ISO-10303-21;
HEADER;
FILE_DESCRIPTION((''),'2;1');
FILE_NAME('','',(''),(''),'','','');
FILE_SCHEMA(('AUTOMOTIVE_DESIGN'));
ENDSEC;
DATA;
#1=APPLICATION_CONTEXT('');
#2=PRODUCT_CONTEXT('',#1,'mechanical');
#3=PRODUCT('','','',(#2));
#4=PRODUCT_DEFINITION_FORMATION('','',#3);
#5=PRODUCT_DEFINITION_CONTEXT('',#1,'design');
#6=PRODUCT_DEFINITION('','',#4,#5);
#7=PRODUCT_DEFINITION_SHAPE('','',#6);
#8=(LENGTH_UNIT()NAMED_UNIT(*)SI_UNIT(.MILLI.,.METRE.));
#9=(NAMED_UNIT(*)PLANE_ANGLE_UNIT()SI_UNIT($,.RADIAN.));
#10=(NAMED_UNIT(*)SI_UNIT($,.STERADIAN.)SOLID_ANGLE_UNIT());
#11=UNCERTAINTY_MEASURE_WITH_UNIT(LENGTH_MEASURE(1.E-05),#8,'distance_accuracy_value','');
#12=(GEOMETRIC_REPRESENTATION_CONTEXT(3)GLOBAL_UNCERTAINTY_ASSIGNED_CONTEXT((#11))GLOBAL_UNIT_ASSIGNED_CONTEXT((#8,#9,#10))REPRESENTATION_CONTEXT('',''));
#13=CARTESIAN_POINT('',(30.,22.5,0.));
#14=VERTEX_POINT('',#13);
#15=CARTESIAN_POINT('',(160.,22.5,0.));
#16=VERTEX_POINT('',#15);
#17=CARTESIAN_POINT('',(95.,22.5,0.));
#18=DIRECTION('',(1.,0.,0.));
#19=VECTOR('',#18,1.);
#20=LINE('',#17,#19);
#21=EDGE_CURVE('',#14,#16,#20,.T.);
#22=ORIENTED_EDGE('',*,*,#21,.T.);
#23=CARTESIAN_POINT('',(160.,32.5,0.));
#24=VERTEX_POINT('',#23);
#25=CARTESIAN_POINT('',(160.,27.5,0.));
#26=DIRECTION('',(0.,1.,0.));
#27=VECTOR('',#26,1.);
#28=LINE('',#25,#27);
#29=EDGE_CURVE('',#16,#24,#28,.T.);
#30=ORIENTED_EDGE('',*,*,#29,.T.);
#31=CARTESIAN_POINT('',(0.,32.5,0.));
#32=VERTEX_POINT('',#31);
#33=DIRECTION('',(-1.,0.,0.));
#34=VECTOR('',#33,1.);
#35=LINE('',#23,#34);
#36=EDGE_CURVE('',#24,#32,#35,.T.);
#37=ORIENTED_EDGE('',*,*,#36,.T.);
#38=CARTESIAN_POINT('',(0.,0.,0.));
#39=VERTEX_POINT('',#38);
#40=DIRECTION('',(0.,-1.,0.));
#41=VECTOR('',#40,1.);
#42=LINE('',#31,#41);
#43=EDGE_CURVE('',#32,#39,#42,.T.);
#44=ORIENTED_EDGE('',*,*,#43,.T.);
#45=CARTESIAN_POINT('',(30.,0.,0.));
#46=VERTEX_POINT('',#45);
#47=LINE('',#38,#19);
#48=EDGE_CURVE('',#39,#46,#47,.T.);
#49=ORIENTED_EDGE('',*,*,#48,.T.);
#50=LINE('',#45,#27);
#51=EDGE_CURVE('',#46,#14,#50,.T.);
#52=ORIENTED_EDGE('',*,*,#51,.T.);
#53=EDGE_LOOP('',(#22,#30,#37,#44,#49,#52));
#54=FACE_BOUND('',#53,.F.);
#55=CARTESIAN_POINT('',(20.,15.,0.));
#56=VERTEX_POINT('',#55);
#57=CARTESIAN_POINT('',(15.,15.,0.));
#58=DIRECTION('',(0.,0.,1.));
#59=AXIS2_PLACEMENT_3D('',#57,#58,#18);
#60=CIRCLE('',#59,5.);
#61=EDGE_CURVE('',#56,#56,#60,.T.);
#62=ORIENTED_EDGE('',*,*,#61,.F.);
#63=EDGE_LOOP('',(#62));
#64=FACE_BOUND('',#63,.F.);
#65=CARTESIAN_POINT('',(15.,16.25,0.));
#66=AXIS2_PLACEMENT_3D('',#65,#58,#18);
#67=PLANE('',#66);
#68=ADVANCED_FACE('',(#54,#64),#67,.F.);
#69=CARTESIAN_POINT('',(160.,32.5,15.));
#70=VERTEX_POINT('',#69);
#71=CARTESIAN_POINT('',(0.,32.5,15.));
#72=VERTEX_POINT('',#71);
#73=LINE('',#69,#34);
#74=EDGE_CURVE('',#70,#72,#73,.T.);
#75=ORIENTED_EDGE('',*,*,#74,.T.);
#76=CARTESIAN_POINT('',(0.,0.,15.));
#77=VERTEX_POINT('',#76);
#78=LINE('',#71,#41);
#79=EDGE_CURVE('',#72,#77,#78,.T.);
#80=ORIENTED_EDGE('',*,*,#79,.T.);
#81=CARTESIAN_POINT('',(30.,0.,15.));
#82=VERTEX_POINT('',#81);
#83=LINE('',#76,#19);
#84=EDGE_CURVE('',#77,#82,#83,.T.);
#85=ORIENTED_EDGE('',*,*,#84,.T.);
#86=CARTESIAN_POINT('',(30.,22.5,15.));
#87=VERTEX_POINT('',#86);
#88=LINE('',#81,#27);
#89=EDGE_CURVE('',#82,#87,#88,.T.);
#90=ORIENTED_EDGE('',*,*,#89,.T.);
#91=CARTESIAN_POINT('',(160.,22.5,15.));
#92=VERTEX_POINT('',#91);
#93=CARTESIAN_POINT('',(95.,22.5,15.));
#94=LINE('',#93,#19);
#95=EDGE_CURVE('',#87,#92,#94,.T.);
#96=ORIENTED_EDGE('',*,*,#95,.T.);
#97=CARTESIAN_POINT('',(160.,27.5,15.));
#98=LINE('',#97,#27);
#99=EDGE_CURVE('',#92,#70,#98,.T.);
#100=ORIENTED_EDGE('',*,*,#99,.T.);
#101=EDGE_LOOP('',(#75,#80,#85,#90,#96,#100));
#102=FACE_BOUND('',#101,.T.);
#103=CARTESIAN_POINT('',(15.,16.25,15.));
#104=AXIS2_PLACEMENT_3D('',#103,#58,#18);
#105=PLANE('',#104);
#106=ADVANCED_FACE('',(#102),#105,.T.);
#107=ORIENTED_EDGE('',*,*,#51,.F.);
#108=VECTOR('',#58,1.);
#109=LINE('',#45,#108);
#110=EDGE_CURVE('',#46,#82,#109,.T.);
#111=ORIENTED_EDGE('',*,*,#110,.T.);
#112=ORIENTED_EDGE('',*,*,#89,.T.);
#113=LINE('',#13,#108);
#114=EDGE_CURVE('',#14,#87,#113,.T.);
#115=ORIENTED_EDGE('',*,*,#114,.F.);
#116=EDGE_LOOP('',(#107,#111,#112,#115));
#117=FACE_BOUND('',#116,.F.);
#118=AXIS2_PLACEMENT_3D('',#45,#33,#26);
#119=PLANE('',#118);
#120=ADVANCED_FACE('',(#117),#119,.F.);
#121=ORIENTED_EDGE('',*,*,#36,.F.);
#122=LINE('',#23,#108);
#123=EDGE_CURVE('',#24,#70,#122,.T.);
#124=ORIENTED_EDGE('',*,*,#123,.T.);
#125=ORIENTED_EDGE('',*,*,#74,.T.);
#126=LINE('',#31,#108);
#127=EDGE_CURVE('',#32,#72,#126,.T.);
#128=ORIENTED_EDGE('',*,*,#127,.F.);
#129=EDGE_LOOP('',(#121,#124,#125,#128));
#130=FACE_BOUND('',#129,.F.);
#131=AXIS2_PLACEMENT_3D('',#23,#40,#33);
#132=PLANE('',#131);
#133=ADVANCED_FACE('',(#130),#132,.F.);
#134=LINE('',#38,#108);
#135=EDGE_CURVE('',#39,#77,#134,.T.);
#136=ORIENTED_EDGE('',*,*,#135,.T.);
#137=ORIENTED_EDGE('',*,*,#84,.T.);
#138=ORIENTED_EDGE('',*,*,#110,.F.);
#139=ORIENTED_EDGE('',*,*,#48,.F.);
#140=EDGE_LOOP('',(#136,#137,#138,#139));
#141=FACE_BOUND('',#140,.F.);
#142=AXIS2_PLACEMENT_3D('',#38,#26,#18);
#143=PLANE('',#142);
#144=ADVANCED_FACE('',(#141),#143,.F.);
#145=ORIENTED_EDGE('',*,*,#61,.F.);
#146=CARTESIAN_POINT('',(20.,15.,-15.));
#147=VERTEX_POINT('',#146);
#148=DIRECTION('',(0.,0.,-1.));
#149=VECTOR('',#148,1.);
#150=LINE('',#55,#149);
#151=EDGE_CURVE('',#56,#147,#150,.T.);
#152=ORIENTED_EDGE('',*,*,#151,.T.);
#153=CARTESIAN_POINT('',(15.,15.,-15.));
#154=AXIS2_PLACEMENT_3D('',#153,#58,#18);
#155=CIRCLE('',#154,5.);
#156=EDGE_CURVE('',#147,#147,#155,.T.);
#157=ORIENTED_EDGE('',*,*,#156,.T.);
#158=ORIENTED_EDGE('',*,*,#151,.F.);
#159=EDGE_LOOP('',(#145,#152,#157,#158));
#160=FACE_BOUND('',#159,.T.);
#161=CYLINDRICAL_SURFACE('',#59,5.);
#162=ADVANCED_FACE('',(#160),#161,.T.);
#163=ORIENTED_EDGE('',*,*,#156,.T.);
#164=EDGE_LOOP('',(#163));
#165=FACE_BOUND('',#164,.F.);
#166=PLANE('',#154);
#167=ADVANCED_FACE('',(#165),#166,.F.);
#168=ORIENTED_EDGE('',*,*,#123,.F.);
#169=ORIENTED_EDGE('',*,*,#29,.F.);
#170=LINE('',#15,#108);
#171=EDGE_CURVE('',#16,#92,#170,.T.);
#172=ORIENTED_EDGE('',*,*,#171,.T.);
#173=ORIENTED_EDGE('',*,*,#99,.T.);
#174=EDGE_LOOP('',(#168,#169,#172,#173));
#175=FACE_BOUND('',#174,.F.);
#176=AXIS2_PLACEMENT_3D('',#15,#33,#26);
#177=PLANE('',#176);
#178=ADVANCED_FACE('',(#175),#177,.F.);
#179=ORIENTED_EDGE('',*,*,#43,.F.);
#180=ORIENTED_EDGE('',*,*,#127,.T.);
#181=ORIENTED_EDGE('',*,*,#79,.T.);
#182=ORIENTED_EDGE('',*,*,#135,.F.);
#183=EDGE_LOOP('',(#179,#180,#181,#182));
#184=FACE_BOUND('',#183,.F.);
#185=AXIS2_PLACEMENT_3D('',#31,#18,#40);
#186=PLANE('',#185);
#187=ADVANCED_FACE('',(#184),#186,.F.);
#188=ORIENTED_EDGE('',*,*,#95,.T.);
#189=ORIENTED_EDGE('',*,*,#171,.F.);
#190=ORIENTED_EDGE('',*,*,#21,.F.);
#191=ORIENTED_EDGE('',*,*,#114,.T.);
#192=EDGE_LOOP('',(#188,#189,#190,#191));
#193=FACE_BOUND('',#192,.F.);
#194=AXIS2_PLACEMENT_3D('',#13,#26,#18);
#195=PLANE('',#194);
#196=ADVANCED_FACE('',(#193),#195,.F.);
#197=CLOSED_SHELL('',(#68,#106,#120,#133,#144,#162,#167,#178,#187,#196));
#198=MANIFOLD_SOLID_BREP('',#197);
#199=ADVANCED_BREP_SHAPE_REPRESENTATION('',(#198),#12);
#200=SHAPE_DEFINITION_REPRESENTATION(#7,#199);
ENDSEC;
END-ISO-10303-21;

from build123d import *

# Parameters (mm, degrees)
F0_R     = 5
F0_W     = 130
F0_H     = 10
F1_DEPTH = 15
F2_DEPTH = 15


with BuildPart() as f1:
    # F0 (on Top) → F1 (new body)
    with BuildSketch(Plane.XY):
        Polygon((0, 32.5), (0, 0), (30, 0), (30, 22.5), (30, 32.5), align=None)
        with Locations((15, 15)):
            Circle(F0_R, mode=Mode.SUBTRACT)
        with Locations((95, 27.5)):
            Rectangle(F0_W, F0_H)
        with Locations((15, 15)):
            Circle(F0_R)
    extrude(amount=F1_DEPTH)

    # F0 (on Top) → F2 (join)
    with BuildSketch(Plane.XY):
        with Locations((15, 15)):
            Circle(F0_R)
    extrude(amount=-F2_DEPTH)


solid = f1.part
